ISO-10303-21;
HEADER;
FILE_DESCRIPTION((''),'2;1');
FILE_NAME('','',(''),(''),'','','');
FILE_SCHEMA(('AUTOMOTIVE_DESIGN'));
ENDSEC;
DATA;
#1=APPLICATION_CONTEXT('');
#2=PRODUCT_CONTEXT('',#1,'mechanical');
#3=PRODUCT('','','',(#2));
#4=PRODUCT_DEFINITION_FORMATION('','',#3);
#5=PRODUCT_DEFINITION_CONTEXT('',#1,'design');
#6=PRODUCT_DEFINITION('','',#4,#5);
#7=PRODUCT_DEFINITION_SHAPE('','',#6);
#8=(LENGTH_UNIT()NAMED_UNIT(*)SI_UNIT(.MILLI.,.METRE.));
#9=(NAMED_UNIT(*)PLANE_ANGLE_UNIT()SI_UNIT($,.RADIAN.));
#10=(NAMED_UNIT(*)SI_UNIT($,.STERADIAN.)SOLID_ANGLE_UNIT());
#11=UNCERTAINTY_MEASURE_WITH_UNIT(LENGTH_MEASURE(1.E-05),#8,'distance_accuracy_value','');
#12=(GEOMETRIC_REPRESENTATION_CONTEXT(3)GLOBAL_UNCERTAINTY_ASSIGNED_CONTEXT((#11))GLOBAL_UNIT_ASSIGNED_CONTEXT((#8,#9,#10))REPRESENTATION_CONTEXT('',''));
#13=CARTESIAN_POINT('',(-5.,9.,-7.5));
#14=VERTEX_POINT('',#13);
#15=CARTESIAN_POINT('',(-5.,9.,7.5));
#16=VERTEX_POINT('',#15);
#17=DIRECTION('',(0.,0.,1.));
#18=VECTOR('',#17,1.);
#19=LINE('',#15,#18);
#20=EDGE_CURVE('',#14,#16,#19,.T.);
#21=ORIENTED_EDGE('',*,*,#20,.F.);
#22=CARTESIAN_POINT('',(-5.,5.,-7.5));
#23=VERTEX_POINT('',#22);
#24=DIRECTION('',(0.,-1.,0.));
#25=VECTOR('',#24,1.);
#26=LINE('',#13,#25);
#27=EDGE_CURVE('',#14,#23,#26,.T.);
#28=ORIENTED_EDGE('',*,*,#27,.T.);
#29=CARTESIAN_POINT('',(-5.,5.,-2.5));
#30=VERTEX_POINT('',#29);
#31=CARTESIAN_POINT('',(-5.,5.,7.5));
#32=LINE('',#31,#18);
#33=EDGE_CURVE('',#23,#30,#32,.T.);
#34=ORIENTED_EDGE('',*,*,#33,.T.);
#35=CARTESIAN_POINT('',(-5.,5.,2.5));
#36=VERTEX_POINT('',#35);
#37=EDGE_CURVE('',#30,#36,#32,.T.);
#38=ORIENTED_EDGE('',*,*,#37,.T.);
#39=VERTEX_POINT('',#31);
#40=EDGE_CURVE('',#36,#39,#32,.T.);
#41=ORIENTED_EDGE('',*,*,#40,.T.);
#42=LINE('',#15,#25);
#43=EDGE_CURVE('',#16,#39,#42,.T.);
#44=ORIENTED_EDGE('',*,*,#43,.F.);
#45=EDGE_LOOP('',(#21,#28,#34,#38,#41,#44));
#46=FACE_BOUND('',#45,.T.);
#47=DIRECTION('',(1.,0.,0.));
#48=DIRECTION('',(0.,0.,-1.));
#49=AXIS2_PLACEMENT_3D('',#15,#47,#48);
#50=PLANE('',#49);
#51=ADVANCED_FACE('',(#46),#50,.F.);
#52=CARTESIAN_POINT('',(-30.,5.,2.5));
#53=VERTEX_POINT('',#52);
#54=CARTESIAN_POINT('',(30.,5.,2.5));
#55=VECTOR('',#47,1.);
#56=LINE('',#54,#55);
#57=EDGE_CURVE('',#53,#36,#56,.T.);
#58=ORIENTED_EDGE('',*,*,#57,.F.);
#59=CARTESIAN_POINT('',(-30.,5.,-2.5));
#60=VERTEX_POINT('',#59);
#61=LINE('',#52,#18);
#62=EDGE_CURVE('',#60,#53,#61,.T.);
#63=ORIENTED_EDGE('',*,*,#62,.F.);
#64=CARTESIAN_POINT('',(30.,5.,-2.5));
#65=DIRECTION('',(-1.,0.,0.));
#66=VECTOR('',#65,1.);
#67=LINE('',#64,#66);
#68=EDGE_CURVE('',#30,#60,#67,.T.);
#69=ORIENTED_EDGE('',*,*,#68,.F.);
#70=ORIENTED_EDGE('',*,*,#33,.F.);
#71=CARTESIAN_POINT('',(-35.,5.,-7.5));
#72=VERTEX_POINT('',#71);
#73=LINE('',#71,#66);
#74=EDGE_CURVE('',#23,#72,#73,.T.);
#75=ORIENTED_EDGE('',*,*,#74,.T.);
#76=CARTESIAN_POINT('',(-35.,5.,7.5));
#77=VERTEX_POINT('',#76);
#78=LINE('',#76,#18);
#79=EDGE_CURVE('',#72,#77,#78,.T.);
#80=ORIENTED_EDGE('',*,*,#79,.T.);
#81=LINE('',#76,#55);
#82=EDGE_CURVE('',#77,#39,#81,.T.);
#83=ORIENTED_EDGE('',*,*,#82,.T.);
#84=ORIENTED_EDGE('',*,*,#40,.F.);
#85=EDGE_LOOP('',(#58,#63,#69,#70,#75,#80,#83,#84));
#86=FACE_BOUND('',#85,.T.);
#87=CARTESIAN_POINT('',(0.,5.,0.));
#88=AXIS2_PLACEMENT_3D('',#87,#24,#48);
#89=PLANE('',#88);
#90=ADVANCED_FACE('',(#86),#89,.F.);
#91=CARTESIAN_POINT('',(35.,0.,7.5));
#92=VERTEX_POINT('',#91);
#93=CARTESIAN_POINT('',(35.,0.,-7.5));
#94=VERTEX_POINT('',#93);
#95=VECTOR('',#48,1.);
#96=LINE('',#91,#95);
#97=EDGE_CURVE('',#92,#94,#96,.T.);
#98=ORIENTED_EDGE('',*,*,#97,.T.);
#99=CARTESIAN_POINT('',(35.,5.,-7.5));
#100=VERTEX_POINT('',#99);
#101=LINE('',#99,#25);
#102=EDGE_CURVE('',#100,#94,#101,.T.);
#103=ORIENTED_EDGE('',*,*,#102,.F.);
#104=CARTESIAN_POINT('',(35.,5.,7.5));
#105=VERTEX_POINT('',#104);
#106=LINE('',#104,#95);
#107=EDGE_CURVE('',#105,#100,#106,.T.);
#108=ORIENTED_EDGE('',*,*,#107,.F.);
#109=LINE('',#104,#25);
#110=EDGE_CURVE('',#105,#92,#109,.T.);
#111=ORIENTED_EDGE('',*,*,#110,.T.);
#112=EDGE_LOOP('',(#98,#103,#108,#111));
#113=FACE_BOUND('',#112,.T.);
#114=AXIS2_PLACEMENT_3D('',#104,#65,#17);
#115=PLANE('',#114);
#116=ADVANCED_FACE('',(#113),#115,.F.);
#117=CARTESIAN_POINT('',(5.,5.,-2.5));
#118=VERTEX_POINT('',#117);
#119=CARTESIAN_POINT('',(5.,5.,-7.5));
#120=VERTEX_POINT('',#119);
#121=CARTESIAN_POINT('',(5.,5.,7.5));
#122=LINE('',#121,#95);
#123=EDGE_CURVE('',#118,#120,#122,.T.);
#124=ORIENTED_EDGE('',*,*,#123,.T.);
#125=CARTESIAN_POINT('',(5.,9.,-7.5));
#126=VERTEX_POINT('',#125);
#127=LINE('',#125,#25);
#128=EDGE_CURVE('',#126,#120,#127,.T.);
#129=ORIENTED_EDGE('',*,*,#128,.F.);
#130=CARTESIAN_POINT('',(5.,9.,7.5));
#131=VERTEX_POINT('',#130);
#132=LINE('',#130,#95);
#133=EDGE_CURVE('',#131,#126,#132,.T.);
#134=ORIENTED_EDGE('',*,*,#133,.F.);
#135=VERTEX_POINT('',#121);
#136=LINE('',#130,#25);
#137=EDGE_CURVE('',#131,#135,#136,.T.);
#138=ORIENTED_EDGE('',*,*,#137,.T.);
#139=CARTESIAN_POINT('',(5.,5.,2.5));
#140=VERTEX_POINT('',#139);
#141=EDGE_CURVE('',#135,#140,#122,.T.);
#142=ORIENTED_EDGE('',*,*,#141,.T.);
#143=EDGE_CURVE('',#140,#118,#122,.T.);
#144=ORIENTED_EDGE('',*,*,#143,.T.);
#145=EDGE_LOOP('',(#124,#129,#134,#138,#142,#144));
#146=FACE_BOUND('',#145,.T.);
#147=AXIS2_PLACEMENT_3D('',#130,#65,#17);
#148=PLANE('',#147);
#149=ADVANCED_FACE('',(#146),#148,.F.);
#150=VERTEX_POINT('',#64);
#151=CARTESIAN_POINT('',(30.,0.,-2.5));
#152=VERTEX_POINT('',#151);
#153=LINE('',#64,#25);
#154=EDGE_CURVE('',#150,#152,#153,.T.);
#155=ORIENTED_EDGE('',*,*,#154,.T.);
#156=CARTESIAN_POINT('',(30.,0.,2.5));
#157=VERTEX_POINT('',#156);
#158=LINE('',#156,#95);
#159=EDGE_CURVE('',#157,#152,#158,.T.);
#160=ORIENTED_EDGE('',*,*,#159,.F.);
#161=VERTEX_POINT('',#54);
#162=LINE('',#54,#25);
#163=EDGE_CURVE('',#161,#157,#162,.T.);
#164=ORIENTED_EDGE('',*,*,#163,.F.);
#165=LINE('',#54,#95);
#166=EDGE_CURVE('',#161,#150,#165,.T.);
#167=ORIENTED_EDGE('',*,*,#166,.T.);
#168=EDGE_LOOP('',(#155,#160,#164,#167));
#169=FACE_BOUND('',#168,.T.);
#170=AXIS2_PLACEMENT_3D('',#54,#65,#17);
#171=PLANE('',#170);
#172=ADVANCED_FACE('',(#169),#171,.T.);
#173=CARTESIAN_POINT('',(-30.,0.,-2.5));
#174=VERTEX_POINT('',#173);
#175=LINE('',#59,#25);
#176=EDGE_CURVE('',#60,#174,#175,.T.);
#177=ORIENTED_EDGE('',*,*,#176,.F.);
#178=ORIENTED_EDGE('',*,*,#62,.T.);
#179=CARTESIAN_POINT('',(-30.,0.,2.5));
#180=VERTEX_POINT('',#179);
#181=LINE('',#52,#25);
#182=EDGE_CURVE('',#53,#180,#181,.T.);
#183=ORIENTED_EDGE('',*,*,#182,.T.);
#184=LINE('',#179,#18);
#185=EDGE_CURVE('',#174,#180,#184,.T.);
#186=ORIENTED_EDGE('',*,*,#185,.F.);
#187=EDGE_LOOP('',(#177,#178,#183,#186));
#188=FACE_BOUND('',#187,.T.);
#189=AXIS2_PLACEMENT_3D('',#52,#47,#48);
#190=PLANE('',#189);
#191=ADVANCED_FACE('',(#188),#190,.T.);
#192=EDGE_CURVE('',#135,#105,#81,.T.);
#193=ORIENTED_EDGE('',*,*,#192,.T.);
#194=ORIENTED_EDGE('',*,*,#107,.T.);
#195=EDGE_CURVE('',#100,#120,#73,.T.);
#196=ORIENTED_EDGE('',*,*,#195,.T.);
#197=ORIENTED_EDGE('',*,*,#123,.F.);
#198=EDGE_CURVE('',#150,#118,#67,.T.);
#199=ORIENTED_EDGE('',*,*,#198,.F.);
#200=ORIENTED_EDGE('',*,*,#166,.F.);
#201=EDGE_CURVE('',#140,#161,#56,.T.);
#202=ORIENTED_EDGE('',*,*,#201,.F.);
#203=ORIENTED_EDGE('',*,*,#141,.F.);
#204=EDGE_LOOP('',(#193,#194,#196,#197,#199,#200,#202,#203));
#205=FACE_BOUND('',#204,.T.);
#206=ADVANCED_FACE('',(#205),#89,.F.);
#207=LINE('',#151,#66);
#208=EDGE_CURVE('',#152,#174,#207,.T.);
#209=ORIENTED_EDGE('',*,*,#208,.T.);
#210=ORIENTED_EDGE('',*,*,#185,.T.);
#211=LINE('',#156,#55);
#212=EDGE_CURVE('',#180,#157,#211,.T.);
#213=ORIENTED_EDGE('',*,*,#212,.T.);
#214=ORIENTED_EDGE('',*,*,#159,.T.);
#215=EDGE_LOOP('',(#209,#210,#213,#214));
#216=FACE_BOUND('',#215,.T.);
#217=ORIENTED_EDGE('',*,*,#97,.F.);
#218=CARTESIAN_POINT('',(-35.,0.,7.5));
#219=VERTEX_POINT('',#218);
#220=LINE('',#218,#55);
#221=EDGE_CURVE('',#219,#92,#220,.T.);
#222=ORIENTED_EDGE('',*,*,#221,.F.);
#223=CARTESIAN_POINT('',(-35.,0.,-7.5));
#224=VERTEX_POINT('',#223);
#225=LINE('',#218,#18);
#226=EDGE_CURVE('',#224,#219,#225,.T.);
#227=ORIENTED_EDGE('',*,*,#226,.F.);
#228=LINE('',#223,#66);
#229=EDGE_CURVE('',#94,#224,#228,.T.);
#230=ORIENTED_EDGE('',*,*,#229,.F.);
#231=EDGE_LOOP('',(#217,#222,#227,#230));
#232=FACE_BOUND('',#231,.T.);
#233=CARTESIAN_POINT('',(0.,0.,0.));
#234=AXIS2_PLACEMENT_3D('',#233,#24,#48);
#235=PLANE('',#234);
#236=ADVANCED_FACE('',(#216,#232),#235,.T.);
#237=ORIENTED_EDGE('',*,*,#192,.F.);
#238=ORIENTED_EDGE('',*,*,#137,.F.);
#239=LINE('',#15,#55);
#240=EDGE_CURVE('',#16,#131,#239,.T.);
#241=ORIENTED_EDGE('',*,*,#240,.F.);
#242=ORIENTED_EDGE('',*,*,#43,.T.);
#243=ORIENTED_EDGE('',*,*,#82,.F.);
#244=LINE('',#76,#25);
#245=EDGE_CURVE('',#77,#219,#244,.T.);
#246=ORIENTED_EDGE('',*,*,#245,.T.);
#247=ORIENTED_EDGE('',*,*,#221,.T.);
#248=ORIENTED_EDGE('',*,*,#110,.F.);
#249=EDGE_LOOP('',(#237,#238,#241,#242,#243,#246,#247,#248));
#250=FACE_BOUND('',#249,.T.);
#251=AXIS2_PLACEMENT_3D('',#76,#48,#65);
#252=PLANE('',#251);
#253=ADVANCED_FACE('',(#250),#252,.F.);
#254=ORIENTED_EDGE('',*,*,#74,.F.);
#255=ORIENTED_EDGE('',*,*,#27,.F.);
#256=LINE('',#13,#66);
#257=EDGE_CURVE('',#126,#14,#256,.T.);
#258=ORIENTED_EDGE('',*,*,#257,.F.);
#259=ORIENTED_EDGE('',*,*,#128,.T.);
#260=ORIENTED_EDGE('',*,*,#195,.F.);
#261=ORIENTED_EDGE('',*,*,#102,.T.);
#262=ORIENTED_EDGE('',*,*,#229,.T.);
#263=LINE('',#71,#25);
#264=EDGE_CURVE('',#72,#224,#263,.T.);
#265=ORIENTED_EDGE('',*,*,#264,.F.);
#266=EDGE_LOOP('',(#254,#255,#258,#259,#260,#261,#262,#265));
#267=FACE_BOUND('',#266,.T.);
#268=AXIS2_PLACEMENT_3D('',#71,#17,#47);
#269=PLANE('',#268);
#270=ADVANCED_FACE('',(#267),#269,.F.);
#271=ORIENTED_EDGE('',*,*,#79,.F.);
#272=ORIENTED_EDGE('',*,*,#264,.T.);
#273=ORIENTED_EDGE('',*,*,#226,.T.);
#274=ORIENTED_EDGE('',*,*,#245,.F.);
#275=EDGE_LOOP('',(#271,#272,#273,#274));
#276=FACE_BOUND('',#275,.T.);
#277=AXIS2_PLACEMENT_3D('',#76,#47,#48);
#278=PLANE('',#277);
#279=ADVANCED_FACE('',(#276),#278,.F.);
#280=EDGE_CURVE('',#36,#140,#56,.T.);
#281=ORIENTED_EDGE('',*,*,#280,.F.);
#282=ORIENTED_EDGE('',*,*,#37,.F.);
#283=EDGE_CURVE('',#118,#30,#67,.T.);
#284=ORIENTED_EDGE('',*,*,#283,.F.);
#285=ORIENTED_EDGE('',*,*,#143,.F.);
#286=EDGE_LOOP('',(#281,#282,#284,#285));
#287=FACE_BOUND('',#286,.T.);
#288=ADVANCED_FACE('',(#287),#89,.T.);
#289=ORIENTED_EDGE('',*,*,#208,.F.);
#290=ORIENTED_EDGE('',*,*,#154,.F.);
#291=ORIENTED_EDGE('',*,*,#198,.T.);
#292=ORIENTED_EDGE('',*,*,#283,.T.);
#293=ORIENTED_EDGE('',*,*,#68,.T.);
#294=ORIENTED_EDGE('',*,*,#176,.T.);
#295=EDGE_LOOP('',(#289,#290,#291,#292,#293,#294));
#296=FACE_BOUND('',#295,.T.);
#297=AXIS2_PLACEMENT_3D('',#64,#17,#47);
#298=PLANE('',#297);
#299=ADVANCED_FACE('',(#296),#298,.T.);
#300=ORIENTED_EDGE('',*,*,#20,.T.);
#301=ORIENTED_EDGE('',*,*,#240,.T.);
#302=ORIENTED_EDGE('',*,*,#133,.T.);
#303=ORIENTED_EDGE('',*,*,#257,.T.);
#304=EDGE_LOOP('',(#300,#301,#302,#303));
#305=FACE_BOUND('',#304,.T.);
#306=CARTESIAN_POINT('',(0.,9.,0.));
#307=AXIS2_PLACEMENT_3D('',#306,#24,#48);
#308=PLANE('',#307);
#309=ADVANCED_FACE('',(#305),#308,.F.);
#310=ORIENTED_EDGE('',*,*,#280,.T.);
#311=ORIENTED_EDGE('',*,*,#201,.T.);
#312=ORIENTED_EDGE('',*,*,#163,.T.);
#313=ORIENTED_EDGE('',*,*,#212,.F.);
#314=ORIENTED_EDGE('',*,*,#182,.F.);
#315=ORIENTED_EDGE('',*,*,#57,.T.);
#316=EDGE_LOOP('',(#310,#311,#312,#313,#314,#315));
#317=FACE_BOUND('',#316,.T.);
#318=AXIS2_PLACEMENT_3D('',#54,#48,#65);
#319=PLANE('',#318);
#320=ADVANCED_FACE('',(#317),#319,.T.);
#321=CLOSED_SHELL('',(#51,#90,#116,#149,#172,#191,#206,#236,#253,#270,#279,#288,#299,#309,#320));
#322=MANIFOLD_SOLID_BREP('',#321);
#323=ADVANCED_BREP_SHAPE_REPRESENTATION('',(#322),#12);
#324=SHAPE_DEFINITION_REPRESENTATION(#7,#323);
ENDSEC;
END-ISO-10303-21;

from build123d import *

# Parameters (mm, degrees)
SKETCH2_W           = 70
SKETCH2_H           = 15
SKETCH2_W_2         = 60
SKETCH2_H_2         = 5
BOSS_EXTRUDE3_DEPTH = 5
SKETCH3_W           = 10
SKETCH3_H           = 15
BOSS_EXTRUDE4_DEPTH = 4


with BuildPart() as part:
    # Sketch2 → Boss-Extrude3 (new body)
    with BuildSketch(Plane(origin=(0, 0, 0), x_dir=(1, 0, 0), z_dir=(0, 1, 0))):
        Rectangle(SKETCH2_W, SKETCH2_H)
        Rectangle(SKETCH2_W_2, SKETCH2_H_2, mode=Mode.SUBTRACT)
    extrude(amount=BOSS_EXTRUDE3_DEPTH)

    # Sketch3 → Boss-Extrude4 (add)
    with BuildSketch(Plane(origin=(0, 5, 0), x_dir=(1, 0, 0), z_dir=(0, 1, 0))):
        Rectangle(SKETCH3_W, SKETCH3_H)
    extrude(amount=BOSS_EXTRUDE4_DEPTH)


solid = part.part
